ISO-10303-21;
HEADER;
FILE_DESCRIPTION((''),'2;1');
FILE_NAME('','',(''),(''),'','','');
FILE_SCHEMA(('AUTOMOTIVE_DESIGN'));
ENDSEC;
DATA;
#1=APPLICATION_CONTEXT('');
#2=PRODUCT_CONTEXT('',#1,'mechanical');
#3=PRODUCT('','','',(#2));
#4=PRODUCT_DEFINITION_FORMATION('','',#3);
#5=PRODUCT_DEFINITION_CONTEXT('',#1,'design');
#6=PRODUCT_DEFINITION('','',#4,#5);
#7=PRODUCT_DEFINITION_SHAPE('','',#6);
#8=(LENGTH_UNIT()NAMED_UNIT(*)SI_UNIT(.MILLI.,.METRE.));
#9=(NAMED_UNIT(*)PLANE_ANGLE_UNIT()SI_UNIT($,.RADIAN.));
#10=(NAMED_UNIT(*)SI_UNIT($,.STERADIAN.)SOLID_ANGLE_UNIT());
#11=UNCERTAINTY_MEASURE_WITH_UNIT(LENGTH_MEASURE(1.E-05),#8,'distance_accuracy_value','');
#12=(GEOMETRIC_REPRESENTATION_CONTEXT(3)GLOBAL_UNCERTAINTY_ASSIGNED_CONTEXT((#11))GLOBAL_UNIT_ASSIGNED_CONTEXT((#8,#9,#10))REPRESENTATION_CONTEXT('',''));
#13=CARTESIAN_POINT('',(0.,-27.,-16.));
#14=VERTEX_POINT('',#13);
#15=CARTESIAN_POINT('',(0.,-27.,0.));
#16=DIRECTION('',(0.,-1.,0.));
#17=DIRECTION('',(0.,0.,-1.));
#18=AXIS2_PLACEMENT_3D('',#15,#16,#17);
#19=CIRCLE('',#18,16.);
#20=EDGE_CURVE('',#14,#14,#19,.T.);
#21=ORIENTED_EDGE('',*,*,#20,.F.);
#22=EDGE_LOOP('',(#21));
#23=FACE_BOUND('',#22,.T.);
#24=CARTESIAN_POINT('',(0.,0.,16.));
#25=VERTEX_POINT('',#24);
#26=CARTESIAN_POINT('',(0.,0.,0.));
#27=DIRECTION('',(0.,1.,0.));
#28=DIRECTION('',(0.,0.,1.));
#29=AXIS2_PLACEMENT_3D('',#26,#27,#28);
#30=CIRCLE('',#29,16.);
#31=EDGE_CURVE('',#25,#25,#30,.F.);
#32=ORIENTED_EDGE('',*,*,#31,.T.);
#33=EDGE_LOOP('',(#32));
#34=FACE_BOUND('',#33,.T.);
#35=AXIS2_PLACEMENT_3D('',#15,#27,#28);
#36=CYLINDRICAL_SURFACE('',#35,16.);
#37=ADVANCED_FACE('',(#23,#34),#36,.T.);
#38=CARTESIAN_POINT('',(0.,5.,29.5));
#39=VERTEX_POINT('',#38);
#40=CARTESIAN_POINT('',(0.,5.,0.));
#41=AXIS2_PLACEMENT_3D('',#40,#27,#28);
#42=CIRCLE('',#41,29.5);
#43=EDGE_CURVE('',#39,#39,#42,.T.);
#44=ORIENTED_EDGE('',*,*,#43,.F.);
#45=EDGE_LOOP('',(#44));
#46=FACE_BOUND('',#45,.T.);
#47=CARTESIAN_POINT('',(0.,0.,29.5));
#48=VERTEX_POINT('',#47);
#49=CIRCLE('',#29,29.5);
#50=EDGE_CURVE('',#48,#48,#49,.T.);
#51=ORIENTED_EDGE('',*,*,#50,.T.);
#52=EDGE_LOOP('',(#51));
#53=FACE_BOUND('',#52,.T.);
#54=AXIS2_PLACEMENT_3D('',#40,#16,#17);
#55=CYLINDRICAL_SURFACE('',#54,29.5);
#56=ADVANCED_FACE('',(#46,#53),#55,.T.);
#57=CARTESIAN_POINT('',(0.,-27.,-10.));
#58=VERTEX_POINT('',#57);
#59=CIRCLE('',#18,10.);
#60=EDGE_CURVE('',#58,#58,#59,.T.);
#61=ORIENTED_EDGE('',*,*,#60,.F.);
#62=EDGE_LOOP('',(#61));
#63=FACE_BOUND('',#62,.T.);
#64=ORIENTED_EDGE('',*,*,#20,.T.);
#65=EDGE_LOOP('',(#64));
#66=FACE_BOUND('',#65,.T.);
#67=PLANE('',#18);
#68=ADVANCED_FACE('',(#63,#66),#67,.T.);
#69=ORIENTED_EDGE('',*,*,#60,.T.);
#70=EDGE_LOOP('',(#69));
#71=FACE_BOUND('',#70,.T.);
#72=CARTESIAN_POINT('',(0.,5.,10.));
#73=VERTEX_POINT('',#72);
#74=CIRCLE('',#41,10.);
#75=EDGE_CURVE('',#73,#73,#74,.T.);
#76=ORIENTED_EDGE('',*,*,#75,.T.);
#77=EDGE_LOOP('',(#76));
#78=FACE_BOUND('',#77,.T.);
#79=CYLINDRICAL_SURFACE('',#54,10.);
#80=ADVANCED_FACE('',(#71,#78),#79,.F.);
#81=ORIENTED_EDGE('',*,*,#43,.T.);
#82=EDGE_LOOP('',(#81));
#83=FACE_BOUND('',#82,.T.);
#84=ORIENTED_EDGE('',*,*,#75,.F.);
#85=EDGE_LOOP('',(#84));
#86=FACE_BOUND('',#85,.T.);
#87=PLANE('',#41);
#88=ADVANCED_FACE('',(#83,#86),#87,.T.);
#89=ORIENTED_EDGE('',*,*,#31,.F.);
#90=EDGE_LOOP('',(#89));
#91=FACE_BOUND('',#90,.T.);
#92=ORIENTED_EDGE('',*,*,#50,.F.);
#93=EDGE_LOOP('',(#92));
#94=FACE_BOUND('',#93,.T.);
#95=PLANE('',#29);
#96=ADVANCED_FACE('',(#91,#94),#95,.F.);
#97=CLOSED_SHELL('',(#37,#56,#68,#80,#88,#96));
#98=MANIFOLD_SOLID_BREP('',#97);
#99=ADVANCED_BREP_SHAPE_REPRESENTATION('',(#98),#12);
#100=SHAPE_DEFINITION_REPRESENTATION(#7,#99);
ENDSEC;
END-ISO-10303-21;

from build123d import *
from build123d.topology import SkipClean

# Parameters (mm, degrees)
SKETCH1_R           = 29.5
SKETCH1_R_2         = 10
BOSS_EXTRUDE1_DEPTH = 5
BOSS_EXTRUDE2_START = 27
SKETCH2_R           = 16
SKETCH2_R_2         = 10
BOSS_EXTRUDE2_DEPTH = 27


with BuildPart() as part:
    # Sketch1 → Boss-Extrude1 (new body)
    with BuildSketch(Plane(origin=(0, 0, 0), x_dir=(1, 0, 0), z_dir=(0, 1, 0))):
        with Locations(Location((0, 0, 0), (0, 0, 270))):
            Circle(SKETCH1_R)
        with Locations(Location((0, 0, 0), (0, 0, 270))):
            Circle(SKETCH1_R_2, mode=Mode.SUBTRACT)
    extrude(amount=BOSS_EXTRUDE1_DEPTH)

    # Sketch2 → Boss-Extrude2 (add)
    with SkipClean():  # the faces are left unmerged after this step: merging them gives an invalid solid
        with BuildSketch(Plane(origin=(0, 0, 0), x_dir=(-1, 0, 0), z_dir=(0, -1, 0)).offset(BOSS_EXTRUDE2_START)):
            with Locations(Location((0, 0, 0), (0, 0, 270))):
                Circle(SKETCH2_R)
            with Locations(Location((0, 0, 0), (0, 0, 90))):
                Circle(SKETCH2_R_2, mode=Mode.SUBTRACT)
        extrude(amount=-BOSS_EXTRUDE2_DEPTH)


solid = part.part
